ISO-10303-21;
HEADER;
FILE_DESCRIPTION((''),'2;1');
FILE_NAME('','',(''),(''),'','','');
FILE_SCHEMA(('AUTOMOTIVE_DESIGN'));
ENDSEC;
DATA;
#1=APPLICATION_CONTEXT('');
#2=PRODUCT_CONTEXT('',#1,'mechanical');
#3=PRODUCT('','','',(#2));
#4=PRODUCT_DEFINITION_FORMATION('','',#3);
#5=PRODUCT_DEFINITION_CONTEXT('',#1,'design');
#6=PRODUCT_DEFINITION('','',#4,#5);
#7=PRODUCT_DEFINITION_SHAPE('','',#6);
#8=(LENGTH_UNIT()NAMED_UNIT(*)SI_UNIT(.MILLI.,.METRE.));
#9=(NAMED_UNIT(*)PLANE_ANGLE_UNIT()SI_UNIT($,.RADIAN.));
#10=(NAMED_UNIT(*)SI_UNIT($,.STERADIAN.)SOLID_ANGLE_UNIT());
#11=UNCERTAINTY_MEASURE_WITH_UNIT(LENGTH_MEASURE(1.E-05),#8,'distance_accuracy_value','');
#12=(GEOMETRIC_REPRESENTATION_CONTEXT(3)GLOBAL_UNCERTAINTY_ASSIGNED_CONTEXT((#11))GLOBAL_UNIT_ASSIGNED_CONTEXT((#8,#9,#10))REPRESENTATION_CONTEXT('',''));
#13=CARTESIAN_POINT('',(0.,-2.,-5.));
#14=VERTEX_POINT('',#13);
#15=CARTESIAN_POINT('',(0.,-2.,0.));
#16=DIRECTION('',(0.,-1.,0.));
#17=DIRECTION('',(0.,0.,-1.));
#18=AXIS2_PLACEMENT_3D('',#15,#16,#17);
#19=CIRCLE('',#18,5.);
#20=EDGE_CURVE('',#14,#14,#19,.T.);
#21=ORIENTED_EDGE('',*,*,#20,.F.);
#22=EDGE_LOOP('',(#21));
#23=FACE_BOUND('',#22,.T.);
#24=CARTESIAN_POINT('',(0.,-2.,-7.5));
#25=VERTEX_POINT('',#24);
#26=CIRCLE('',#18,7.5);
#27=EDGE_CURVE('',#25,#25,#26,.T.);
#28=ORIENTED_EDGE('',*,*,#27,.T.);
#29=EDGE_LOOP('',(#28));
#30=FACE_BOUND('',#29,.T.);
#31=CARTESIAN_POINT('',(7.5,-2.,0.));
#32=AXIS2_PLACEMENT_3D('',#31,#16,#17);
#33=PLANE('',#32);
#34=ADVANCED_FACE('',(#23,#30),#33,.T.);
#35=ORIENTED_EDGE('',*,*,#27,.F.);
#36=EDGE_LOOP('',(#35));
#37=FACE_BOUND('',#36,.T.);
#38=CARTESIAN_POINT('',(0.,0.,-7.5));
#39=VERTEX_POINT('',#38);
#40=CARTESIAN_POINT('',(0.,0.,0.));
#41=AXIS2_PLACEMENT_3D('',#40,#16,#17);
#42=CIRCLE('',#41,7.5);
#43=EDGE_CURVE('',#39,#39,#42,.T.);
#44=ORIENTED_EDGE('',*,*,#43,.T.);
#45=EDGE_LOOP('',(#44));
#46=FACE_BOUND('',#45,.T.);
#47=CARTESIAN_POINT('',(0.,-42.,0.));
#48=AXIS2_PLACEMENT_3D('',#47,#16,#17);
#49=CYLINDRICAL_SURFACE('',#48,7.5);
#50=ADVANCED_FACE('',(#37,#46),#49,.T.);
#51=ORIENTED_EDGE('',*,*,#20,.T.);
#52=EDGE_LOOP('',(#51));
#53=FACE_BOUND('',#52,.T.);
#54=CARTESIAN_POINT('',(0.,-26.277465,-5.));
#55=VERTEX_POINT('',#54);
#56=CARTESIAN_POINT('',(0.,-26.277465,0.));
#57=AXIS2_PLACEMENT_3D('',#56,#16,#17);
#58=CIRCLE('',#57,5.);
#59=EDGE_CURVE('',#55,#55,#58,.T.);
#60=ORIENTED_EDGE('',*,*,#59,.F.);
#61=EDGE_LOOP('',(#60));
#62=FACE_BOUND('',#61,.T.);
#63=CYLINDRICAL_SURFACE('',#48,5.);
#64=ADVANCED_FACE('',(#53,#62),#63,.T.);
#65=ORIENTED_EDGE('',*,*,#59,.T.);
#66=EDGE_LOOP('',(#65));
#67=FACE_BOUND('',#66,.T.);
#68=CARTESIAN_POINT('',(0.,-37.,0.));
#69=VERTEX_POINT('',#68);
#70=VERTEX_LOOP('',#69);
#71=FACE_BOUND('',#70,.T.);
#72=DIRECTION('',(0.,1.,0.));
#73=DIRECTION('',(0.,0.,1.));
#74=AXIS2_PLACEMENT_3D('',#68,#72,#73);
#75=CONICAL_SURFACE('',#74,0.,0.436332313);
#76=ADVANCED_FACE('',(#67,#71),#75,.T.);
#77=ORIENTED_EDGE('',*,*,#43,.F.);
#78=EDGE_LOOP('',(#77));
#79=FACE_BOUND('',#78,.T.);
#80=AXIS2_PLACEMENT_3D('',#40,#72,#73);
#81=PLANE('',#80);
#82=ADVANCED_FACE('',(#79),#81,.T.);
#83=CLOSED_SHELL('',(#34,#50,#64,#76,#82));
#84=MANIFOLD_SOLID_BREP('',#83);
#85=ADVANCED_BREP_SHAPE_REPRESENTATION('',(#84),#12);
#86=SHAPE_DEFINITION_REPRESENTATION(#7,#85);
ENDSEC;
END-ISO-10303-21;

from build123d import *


with BuildPart() as part:
    # Sketch1 → Revolve1 (revolve)
    with BuildSketch(Plane.XY, mode=Mode.PRIVATE) as revolve1_sk:
        Polygon((0, 0), (7.5, 0), (7.5, -2), (5, -2), (5, -26.277465397), (0, -37), align=None)
    revolve(revolve1_sk.sketch.rotate(Axis((0, -42, 0), (0, 1, 0)), 90), axis=Axis((0, -42, 0), (0, 1, 0)))


solid = part.part
